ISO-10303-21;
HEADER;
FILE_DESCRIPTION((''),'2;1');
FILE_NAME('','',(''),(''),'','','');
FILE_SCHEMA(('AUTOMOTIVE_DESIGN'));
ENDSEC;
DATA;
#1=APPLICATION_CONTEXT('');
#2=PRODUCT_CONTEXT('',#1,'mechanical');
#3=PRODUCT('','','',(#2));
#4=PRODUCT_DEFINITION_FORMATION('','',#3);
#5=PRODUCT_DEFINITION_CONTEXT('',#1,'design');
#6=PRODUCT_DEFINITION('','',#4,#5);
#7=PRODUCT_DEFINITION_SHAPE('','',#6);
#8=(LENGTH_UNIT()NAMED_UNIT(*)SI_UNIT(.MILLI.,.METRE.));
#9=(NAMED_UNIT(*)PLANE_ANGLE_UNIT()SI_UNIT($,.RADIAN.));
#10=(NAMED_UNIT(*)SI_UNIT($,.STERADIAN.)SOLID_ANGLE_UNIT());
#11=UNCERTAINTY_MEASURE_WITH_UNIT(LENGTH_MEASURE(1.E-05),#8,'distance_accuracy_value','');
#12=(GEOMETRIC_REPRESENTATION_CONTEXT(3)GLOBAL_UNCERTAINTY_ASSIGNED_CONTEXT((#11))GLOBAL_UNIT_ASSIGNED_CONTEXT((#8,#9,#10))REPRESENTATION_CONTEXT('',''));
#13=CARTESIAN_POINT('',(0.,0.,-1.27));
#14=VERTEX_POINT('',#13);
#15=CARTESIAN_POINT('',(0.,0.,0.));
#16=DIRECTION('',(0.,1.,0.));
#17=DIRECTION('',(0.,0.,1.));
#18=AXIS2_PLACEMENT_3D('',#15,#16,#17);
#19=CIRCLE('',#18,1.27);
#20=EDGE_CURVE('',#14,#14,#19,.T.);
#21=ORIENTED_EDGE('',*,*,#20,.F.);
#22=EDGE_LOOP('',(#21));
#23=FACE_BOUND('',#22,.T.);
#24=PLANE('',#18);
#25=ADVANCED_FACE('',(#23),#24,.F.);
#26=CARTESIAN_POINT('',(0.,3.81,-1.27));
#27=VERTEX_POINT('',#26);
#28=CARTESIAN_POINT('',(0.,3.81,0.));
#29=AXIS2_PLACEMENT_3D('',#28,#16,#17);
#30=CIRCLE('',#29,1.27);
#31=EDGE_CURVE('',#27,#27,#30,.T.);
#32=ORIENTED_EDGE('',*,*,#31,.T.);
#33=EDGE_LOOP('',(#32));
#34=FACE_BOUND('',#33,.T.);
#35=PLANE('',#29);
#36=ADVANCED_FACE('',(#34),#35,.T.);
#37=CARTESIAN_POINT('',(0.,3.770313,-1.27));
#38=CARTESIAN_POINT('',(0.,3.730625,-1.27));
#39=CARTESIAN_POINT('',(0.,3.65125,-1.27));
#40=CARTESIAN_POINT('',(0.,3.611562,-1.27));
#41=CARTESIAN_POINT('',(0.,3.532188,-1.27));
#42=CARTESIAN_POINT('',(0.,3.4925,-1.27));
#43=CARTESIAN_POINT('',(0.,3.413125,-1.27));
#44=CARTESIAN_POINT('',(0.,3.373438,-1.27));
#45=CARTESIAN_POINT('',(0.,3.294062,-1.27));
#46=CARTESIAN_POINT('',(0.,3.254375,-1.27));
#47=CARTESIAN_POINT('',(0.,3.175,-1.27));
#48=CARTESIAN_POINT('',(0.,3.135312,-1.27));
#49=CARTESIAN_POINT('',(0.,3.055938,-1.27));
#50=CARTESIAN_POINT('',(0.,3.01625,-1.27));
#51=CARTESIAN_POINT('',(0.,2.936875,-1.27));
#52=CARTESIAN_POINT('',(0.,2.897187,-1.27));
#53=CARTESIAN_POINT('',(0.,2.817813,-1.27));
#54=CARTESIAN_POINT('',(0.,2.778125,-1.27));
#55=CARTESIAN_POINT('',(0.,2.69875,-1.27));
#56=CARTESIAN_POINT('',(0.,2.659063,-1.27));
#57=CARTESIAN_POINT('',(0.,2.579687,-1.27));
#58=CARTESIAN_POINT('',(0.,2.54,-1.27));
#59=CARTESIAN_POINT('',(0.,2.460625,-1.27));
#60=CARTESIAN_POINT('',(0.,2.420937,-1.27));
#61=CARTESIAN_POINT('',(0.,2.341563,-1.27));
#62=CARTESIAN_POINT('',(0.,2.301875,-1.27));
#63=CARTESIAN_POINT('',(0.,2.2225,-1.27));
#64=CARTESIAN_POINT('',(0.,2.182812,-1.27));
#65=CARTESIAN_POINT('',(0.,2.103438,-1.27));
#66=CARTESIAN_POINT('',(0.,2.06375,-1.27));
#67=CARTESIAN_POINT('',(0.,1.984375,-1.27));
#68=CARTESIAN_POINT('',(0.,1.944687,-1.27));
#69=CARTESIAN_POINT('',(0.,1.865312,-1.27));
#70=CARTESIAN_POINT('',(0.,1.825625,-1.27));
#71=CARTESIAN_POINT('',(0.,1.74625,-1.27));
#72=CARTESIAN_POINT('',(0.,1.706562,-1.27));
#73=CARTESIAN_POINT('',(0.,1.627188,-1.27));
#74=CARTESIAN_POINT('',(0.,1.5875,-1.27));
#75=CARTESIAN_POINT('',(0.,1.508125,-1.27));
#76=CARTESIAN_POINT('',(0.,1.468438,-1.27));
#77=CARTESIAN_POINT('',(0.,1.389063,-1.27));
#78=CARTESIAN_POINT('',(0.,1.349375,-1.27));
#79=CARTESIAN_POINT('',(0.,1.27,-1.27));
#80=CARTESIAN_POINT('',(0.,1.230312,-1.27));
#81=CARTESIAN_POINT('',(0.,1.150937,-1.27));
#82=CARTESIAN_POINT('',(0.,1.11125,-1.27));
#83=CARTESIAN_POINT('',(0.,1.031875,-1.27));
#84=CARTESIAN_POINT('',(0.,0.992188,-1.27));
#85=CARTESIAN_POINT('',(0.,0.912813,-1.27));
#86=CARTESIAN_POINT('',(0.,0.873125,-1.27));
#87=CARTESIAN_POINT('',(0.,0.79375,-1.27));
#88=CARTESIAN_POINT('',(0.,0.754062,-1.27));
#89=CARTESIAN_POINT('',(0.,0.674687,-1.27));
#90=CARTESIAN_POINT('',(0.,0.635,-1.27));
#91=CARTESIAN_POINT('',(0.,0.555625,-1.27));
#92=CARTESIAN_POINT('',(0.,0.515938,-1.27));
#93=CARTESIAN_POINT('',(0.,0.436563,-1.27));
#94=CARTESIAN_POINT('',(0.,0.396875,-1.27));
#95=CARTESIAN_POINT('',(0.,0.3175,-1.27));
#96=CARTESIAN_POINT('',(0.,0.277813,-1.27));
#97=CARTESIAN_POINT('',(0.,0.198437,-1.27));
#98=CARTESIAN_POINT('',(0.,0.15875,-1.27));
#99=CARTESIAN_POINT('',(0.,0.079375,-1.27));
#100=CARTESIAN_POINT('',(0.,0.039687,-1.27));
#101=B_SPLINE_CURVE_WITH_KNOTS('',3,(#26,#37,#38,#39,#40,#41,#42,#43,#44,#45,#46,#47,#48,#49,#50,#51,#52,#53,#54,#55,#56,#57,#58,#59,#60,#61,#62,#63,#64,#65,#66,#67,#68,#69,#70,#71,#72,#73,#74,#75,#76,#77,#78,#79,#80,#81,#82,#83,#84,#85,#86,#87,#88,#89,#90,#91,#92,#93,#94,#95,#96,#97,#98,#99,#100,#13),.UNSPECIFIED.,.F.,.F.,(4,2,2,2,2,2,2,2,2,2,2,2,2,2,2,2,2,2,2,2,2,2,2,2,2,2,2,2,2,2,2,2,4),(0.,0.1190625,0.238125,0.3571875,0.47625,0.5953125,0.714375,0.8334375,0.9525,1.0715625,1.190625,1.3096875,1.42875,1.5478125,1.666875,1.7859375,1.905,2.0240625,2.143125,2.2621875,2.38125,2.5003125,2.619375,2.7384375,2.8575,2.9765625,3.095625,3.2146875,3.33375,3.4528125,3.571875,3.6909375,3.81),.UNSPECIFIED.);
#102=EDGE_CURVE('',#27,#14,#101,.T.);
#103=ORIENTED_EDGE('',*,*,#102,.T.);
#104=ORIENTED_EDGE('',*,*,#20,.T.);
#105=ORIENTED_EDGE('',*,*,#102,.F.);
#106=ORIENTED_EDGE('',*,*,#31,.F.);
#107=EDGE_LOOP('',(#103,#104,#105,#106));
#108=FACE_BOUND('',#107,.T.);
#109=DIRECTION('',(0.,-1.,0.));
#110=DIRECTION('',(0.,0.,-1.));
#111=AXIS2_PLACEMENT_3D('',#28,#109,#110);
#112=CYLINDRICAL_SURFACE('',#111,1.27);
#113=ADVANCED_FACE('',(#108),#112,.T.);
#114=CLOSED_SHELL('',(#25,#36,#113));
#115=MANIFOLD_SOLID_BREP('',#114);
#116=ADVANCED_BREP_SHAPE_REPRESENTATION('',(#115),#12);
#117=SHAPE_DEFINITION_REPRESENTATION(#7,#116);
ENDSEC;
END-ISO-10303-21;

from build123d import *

# Parameters (mm, degrees)
SKETCH1_R   = 1.27
DOWEL_DEPTH = 3.81


with BuildPart() as part:
    # Sketch1 → Dowel (new body)
    with BuildSketch(Plane(origin=(0, 0, 0), x_dir=(1, 0, 0), z_dir=(0, 1, 0))):
        with Locations(Location((0, 0, 0), (0, 0, 90))):
            Circle(SKETCH1_R)
    extrude(amount=DOWEL_DEPTH)


solid = part.part
